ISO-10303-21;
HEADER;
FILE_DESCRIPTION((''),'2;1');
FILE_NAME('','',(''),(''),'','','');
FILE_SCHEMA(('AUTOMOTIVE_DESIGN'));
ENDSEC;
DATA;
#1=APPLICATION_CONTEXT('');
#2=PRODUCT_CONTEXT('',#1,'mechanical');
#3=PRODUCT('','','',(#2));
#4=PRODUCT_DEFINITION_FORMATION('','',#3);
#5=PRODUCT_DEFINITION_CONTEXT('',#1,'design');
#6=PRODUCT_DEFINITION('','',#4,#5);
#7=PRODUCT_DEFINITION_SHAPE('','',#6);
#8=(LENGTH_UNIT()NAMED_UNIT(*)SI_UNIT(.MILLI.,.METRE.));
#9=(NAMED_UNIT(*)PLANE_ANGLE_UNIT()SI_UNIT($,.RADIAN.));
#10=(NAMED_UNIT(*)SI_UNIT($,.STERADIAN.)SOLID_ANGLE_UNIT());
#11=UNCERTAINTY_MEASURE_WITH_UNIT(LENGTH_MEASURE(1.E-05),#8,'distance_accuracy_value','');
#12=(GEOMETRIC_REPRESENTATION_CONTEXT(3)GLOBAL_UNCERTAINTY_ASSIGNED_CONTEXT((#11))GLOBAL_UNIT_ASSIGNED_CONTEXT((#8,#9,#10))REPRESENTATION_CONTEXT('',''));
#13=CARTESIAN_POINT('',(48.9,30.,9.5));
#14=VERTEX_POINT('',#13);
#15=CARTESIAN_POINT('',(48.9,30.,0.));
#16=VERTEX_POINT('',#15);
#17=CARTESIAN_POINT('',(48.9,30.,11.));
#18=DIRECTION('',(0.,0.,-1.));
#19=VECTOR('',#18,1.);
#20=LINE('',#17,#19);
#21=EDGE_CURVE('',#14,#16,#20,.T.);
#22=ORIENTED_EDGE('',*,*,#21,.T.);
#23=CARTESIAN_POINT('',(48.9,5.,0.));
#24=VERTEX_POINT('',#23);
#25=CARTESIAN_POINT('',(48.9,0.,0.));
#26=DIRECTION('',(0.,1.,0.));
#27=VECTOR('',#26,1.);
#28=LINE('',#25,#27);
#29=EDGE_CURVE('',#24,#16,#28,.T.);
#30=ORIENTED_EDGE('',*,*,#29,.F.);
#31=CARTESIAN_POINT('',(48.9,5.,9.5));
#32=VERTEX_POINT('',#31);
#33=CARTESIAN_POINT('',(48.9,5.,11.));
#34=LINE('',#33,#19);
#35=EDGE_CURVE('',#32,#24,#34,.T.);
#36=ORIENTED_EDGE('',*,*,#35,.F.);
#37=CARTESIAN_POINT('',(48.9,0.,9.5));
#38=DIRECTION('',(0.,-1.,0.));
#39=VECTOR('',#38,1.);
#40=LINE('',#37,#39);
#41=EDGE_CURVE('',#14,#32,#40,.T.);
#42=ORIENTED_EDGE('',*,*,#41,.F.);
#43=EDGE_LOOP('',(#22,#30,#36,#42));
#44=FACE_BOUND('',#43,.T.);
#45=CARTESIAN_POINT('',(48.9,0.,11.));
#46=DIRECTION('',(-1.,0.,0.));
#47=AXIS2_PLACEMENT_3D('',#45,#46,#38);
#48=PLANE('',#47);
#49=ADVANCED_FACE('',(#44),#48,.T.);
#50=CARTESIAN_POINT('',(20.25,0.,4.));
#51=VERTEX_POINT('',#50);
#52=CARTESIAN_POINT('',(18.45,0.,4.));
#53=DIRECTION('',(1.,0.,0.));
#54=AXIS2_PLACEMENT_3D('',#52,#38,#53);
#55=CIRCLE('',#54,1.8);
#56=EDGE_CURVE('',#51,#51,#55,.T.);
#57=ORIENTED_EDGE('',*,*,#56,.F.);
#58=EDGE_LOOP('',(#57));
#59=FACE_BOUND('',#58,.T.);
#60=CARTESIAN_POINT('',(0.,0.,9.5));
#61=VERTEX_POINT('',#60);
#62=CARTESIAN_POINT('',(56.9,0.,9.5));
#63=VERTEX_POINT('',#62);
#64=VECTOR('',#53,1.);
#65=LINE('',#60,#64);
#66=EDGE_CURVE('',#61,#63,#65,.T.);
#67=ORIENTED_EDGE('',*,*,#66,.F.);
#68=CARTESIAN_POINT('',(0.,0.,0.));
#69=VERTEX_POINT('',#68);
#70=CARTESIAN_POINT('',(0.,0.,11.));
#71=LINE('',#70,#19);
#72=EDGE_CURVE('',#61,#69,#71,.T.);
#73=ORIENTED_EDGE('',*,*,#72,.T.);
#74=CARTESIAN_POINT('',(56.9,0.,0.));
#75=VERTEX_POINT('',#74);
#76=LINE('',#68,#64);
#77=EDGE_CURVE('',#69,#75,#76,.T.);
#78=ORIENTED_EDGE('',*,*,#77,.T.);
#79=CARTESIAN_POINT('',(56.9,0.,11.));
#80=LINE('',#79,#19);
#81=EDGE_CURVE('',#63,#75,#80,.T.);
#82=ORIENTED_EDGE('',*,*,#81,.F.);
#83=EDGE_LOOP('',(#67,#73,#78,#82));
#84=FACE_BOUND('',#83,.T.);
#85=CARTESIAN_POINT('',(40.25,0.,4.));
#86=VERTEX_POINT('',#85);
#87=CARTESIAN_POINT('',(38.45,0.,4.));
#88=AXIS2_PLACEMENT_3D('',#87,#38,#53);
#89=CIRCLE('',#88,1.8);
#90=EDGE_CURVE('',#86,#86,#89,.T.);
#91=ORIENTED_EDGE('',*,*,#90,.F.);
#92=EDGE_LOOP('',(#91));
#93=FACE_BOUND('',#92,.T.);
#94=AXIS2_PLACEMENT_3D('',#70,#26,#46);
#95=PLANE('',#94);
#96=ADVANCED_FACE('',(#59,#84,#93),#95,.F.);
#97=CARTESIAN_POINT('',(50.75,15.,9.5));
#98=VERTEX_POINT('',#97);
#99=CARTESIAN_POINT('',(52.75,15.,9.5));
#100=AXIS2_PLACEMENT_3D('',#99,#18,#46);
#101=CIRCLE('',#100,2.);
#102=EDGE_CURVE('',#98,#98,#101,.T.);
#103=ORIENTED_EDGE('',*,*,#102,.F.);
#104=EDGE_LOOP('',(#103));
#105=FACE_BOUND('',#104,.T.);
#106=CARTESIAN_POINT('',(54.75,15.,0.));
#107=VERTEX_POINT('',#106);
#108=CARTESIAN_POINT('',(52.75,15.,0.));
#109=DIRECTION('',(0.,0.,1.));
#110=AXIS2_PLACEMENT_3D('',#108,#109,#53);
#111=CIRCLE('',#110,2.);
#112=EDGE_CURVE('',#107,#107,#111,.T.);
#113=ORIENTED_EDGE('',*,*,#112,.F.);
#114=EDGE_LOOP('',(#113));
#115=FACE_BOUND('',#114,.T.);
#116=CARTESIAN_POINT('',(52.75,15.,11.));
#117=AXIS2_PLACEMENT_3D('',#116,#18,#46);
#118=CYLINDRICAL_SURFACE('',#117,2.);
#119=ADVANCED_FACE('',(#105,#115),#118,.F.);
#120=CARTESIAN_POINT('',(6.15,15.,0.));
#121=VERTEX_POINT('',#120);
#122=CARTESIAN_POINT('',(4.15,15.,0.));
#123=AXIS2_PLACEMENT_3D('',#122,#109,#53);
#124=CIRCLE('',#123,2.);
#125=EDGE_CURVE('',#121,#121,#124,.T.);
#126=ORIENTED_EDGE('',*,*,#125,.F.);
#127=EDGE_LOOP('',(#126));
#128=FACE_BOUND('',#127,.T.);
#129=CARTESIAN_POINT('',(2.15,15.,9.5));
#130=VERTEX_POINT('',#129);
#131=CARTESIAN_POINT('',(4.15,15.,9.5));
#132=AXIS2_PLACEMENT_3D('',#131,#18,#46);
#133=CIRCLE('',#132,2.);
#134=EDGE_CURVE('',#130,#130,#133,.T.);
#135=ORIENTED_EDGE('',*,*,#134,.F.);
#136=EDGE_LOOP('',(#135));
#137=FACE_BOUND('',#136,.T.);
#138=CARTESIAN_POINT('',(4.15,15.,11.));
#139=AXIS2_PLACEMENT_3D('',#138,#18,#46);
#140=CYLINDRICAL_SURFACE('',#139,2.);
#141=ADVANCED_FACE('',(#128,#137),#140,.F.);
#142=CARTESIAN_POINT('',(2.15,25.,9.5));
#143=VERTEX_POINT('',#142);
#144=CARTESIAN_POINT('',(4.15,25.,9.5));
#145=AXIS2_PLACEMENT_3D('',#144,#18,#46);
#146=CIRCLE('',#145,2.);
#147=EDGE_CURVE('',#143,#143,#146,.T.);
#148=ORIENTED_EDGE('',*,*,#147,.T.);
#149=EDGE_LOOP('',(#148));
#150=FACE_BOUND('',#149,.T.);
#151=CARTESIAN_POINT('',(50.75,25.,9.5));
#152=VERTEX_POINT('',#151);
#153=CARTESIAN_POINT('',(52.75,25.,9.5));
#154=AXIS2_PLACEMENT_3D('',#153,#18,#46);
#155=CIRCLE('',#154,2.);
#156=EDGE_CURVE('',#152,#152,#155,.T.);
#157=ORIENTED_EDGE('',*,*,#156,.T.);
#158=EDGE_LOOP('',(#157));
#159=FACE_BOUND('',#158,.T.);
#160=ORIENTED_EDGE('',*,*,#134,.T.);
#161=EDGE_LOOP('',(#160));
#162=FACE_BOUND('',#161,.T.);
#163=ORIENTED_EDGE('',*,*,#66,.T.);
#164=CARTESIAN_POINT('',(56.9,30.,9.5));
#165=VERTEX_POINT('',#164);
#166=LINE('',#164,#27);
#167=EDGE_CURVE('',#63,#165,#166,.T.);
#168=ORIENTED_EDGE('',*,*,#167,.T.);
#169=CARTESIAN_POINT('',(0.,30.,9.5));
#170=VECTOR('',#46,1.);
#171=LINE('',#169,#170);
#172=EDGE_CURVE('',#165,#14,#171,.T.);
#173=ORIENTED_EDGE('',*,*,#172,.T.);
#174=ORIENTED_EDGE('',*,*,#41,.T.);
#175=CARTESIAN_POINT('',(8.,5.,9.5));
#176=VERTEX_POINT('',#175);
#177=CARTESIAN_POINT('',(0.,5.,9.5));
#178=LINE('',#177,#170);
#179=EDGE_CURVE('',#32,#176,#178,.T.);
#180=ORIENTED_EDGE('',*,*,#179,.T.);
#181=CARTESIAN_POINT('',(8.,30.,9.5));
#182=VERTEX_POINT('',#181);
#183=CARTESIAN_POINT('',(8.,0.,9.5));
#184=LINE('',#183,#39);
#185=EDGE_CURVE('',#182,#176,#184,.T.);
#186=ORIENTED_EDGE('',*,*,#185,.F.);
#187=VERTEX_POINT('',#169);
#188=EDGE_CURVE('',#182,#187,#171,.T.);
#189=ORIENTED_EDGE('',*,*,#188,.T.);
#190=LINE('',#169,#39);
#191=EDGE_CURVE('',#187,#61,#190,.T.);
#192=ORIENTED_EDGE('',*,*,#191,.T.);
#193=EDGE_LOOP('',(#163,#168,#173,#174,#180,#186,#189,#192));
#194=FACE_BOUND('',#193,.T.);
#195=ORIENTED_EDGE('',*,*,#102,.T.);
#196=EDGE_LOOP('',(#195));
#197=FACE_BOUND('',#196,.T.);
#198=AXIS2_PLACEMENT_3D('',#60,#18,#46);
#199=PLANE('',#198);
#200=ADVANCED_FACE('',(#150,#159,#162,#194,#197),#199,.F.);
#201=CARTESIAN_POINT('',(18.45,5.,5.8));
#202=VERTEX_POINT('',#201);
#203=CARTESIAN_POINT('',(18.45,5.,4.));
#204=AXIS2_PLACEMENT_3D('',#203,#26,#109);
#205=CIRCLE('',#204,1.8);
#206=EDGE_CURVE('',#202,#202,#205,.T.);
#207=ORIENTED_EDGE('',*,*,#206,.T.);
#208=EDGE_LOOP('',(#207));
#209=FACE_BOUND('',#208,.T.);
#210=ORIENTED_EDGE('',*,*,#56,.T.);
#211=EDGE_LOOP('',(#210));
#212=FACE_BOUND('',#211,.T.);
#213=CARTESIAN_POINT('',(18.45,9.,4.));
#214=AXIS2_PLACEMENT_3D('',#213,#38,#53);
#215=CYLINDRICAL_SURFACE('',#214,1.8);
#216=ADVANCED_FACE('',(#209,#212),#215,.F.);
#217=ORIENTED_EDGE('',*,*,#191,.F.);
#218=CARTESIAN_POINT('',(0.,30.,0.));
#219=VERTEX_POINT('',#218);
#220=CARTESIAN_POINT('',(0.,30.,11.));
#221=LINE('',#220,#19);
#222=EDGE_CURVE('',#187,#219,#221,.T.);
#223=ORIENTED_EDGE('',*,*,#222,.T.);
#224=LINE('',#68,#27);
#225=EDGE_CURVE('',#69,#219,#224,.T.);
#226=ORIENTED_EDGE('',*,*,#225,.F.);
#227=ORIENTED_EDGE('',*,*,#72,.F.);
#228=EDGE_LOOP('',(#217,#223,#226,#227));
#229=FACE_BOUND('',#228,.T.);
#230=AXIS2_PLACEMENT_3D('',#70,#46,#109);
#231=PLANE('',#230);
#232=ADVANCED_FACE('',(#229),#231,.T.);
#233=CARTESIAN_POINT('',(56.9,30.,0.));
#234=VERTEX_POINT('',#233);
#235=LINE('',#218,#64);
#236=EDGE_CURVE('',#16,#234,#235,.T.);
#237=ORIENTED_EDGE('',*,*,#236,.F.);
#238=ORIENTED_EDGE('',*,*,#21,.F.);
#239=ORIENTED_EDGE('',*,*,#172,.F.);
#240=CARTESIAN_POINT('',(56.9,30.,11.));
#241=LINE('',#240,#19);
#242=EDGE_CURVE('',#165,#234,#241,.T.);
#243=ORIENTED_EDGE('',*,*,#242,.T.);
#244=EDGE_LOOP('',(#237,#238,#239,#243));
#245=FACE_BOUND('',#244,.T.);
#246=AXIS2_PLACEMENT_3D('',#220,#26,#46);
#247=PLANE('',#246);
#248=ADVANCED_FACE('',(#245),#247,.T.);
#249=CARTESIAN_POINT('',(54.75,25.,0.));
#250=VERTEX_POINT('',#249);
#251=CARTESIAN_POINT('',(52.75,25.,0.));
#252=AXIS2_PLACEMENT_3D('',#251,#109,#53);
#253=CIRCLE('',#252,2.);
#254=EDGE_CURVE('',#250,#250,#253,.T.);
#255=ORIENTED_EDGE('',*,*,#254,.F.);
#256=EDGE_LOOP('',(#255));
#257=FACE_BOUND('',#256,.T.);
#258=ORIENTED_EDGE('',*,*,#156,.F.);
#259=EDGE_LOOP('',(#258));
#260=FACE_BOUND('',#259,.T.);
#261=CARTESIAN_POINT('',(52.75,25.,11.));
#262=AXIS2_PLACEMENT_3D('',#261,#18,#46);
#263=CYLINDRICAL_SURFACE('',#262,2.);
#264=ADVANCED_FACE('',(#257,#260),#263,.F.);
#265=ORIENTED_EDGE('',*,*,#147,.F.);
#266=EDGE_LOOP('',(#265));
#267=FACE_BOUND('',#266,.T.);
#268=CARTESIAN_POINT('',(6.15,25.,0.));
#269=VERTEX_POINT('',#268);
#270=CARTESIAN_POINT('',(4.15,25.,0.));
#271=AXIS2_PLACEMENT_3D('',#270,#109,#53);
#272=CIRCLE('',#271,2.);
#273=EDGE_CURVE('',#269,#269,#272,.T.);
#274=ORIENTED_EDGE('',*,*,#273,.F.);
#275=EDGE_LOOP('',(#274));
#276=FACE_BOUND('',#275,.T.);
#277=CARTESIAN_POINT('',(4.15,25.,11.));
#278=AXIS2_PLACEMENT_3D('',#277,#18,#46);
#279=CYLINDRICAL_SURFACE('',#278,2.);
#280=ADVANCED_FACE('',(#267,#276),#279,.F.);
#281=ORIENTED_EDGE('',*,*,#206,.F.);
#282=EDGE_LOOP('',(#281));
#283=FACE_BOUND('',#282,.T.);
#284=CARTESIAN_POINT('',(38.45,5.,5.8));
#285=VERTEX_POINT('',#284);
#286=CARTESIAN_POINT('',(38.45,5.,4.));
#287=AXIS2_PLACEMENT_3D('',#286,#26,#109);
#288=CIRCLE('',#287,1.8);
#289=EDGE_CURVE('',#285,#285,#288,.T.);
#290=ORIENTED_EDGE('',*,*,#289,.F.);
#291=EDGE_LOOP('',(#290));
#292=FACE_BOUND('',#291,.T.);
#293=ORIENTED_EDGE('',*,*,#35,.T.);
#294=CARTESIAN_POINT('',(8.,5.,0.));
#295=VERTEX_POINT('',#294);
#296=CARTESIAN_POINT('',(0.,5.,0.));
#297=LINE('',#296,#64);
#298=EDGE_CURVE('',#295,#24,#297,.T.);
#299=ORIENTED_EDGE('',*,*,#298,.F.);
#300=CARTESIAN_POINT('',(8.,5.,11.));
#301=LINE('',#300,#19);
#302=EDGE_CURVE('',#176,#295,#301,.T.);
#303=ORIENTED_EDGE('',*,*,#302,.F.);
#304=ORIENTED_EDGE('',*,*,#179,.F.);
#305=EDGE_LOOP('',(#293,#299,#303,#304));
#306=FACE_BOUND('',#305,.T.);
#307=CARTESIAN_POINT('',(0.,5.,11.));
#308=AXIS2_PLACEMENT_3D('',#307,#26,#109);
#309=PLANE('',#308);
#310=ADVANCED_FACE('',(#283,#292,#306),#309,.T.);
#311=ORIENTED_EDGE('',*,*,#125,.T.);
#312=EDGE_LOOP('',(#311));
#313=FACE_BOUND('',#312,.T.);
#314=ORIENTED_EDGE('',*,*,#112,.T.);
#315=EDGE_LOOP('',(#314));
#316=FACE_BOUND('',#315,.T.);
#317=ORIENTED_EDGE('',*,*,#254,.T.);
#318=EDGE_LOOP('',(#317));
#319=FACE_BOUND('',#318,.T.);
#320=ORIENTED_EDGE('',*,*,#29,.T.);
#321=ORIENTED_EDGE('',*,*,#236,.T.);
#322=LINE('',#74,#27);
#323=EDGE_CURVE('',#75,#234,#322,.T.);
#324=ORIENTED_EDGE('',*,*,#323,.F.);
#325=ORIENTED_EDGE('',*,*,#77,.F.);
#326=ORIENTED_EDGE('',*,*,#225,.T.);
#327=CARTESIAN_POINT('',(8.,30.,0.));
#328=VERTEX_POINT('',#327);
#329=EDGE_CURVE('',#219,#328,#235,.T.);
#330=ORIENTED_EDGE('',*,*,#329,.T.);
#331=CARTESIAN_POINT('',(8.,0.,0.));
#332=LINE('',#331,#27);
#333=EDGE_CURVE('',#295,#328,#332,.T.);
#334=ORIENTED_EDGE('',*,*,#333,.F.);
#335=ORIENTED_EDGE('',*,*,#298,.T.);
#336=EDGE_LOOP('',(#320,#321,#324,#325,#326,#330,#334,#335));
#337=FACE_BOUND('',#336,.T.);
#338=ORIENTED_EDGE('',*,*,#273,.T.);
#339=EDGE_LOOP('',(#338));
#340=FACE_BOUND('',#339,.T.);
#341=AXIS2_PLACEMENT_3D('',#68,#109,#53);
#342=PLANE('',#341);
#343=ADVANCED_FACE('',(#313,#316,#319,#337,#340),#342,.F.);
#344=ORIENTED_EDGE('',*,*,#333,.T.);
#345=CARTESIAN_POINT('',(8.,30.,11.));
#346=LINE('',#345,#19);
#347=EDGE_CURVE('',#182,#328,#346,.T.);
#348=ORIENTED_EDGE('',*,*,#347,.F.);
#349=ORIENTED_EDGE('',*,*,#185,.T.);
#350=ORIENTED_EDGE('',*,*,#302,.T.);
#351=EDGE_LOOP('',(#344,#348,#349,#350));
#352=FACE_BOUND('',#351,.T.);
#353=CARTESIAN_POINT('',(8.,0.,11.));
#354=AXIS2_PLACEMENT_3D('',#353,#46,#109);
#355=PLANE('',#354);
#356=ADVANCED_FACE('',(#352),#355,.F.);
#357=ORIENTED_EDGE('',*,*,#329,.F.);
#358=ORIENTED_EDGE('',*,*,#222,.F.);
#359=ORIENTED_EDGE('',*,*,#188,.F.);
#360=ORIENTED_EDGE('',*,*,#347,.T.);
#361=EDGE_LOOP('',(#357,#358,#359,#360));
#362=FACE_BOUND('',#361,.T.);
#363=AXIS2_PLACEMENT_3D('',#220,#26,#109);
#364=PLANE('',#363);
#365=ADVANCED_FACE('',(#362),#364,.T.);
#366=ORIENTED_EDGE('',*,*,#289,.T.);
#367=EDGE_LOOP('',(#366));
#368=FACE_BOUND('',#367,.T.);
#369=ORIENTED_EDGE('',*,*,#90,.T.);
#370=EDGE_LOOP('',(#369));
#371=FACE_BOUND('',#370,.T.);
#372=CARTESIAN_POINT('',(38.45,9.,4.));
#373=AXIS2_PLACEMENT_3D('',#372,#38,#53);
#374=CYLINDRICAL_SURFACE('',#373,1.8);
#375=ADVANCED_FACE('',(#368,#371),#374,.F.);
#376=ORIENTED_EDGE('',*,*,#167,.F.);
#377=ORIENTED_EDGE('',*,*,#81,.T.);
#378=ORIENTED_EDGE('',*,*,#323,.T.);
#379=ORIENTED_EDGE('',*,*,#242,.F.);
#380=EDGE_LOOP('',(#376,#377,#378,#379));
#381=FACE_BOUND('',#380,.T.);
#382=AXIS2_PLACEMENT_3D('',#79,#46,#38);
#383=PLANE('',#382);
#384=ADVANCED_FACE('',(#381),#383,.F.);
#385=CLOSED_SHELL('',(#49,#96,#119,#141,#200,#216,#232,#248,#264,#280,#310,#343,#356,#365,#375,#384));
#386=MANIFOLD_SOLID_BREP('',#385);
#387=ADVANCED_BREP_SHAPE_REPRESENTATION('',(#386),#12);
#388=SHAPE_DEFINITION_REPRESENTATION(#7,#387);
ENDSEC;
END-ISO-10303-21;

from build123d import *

# Parameters (mm, degrees)
ESQUISSE1_W             = 40.9
ESQUISSE1_H             = 5
ESQUISSE1_W_2           = 8
ESQUISSE1_H_2           = 30
ESQUISSE1_R             = 2
BOSS_EXTRU_1_DEPTH      = 11
ESQUISSE2_R             = 1.8
ENL_V_MAT_EXTRU_1_DEPTH = 9
ESQUISSE3_W             = 56.9
ESQUISSE3_H             = 30
ENL_V_MAT_EXTRU_2_DEPTH = 1.5


with BuildPart() as part:
    # Esquisse1 → Boss.-Extru.1 (new body)
    # profile 1 of 3: a face of its own
    with BuildSketch(Plane.XY):
        with Locations((28.45, 2.5)):
            Rectangle(ESQUISSE1_W, ESQUISSE1_H)
    # profile 2 of 3: a face of its own
    with BuildSketch(Plane.XY):
        with Locations((4, 15)):
            Rectangle(ESQUISSE1_W_2, ESQUISSE1_H_2)
        with Locations((4.15, 15)):
            Circle(ESQUISSE1_R, mode=Mode.SUBTRACT)
        with Locations((4.15, 25)):
            Circle(ESQUISSE1_R, mode=Mode.SUBTRACT)
    # profile 3 of 3: a face of its own
    with BuildSketch(Plane.XY):
        Polygon((48.9, 5), (48.9, 0), (56.9, 0), (56.9, 30), (48.9, 30), align=None)
        with Locations((52.75, 15)):
            Circle(ESQUISSE1_R, mode=Mode.SUBTRACT)
        with Locations((52.75, 25)):
            Circle(ESQUISSE1_R, mode=Mode.SUBTRACT)
    extrude(amount=BOSS_EXTRU_1_DEPTH)

    # Esquisse2 → Enlèv. mat.-Extru.1 (cut)
    with BuildSketch(Plane.XZ):
        with Locations((18.45, 4)):
            Circle(ESQUISSE2_R)
        with Locations((38.45, 4)):
            Circle(ESQUISSE2_R)
    extrude(amount=-ENL_V_MAT_EXTRU_1_DEPTH, mode=Mode.SUBTRACT)

    # Esquisse3 → Enlèv. mat.-Extru.2 (cut)
    with BuildSketch(Plane.XY.offset(11)):
        with Locations((28.45, 15)):
            Rectangle(ESQUISSE3_W, ESQUISSE3_H)
    extrude(amount=-ENL_V_MAT_EXTRU_2_DEPTH, mode=Mode.SUBTRACT)


solid = part.part
